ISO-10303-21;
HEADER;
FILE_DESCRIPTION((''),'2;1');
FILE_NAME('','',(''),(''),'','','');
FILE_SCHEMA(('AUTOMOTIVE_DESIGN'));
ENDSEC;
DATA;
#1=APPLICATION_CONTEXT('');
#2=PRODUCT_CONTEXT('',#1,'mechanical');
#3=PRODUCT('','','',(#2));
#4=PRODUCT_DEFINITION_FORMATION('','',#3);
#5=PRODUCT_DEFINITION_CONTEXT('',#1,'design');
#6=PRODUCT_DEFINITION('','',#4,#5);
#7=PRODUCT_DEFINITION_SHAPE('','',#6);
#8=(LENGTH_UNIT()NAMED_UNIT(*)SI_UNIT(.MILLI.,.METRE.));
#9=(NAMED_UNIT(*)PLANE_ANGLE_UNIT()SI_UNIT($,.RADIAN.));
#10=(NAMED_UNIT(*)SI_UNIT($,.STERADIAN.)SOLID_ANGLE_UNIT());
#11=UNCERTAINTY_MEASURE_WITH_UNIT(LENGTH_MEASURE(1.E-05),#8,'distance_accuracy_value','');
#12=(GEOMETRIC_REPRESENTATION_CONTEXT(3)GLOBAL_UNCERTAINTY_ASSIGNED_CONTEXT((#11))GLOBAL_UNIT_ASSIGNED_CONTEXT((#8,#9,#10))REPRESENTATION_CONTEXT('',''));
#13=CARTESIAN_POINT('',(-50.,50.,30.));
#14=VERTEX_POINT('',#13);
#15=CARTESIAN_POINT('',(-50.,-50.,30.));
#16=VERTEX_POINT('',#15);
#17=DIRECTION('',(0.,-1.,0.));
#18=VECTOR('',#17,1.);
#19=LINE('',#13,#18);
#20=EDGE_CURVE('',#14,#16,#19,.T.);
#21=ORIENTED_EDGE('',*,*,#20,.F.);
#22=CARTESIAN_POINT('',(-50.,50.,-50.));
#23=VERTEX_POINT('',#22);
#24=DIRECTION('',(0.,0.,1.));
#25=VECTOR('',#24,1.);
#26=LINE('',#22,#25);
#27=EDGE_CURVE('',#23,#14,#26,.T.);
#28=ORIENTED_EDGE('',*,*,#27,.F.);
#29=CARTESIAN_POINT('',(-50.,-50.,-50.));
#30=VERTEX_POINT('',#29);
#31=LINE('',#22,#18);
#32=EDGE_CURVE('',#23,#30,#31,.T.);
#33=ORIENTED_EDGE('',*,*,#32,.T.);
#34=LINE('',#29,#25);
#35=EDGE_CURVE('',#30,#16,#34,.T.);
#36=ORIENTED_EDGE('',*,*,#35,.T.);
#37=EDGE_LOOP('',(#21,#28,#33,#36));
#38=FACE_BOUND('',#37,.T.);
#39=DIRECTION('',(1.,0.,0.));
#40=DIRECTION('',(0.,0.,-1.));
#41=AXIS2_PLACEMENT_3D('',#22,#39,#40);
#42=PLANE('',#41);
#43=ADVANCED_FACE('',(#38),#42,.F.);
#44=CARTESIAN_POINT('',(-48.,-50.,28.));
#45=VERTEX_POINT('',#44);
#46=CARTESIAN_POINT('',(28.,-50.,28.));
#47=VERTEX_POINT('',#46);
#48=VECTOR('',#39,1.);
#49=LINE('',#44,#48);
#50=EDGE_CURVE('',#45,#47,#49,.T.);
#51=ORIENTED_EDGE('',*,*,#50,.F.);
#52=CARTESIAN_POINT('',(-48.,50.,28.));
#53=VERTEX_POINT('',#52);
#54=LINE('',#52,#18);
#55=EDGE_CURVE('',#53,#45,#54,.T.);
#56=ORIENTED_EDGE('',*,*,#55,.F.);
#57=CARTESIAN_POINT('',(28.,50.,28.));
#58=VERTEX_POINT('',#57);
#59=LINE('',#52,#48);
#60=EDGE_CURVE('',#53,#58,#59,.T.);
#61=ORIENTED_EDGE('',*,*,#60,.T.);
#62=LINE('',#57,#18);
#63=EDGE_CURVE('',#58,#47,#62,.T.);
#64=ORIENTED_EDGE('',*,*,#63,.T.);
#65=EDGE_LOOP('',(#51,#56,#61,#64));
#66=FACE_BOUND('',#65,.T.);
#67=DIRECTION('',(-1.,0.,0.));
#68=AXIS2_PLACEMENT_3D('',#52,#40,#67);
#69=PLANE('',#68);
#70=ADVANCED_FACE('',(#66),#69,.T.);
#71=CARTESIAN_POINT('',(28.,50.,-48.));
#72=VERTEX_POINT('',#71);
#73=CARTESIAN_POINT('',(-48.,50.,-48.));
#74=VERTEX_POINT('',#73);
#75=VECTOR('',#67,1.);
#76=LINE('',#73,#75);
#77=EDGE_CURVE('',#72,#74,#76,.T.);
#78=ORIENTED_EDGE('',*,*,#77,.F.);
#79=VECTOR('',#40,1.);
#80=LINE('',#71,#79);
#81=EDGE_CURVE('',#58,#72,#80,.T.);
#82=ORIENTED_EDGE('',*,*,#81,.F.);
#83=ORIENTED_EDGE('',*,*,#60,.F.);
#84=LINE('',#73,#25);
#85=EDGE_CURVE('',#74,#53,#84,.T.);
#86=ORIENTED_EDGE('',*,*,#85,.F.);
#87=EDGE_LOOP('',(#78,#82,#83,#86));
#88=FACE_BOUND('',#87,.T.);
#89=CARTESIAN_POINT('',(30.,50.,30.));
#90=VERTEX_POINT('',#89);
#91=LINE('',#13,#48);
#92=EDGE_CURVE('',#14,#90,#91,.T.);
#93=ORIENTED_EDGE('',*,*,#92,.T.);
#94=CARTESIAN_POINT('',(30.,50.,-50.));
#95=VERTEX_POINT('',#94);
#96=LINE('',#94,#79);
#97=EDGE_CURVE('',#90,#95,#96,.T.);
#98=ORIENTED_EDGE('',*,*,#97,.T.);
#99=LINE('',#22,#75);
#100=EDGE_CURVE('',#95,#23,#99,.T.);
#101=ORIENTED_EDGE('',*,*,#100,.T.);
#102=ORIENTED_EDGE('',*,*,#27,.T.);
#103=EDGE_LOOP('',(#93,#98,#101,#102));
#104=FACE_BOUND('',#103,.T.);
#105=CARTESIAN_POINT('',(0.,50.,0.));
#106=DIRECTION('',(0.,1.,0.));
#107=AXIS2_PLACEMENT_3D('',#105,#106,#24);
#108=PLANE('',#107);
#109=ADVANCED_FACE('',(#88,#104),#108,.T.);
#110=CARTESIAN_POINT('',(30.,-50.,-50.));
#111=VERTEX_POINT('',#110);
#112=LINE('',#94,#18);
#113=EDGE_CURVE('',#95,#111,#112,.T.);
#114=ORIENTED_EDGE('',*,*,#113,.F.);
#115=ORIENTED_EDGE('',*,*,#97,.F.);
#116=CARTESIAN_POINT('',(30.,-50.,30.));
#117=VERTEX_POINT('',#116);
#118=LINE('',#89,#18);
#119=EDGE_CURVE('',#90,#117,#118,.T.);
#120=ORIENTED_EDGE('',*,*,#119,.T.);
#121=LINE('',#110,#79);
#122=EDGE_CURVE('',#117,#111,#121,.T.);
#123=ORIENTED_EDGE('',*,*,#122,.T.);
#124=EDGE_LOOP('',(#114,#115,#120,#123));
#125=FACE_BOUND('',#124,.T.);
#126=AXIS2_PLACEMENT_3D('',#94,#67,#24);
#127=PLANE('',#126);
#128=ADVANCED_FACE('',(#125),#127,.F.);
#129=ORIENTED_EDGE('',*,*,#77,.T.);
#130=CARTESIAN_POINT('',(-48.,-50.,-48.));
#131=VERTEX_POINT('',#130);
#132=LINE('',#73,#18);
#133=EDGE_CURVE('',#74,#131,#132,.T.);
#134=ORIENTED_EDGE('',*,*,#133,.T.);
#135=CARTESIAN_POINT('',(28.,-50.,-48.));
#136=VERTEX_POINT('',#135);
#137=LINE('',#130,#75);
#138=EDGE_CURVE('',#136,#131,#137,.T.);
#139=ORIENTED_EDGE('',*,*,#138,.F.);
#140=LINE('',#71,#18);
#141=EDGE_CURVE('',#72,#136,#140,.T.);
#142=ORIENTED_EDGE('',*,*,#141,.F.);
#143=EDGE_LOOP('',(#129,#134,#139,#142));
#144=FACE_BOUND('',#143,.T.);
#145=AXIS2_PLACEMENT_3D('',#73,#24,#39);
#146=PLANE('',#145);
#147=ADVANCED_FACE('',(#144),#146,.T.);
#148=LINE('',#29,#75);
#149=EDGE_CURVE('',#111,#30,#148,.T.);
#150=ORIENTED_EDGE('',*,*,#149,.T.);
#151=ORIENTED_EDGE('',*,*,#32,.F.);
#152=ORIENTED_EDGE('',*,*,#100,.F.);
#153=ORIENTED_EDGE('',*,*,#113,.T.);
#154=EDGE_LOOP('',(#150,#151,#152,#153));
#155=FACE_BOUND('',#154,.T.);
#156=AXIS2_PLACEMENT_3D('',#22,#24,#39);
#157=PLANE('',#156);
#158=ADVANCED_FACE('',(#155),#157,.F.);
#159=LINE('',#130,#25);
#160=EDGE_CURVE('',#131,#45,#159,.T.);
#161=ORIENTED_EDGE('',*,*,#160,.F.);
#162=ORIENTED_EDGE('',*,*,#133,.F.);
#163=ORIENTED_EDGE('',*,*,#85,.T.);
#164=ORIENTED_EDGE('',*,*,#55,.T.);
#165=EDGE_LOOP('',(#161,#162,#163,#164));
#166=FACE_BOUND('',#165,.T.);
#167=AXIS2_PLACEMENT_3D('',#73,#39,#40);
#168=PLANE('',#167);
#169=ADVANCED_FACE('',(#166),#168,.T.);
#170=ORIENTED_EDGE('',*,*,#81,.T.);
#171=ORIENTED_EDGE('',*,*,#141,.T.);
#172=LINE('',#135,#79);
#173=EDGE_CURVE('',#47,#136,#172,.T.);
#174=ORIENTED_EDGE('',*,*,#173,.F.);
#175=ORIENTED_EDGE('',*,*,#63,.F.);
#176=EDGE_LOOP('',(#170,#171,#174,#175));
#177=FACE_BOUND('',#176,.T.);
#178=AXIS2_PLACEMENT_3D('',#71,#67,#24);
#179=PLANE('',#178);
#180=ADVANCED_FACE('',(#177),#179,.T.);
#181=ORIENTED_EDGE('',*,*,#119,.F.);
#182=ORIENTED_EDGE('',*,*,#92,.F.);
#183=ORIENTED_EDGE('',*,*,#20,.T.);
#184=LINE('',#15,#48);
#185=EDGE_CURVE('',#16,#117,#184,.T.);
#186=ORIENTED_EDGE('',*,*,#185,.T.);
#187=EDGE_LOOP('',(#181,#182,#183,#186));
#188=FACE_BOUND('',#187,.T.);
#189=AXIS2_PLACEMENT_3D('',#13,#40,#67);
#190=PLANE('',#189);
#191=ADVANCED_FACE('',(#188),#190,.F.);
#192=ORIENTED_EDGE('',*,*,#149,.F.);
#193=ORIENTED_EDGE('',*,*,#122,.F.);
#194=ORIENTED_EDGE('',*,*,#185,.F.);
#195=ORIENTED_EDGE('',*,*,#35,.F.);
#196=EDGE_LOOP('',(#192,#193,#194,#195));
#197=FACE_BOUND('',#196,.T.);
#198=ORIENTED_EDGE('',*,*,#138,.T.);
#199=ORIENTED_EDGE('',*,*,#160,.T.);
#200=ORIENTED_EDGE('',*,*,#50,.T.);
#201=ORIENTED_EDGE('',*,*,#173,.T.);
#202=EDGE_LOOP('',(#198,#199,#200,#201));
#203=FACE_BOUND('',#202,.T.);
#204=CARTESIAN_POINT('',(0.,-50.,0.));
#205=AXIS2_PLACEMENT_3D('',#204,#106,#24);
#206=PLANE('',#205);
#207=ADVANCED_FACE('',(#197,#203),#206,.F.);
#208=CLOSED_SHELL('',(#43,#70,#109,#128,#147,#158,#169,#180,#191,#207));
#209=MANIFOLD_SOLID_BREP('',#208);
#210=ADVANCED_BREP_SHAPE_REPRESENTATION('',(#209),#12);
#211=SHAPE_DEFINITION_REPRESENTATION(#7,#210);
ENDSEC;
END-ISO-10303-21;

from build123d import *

# Parameters (mm, degrees)
SKETCH_1_W      = 80
SKETCH_1_H      = 80
SKETCH_1_W_2    = 76
SKETCH_1_H_2    = 76
EXTRUDE_1_DEPTH = 50


with BuildPart() as part:
    # 草图1 → 凸台-拉伸1 (new, symmetric)
    with BuildSketch(Plane(origin=(0, 0, 0), x_dir=(1, 0, 0), z_dir=(0, 1, 0))):
        with Locations((-10, 10)):
            Rectangle(SKETCH_1_W, SKETCH_1_H)
        with Locations((-10, 10)):
            Rectangle(SKETCH_1_W_2, SKETCH_1_H_2, mode=Mode.SUBTRACT)
    extrude(amount=EXTRUDE_1_DEPTH, both=True)


solid = part.part
